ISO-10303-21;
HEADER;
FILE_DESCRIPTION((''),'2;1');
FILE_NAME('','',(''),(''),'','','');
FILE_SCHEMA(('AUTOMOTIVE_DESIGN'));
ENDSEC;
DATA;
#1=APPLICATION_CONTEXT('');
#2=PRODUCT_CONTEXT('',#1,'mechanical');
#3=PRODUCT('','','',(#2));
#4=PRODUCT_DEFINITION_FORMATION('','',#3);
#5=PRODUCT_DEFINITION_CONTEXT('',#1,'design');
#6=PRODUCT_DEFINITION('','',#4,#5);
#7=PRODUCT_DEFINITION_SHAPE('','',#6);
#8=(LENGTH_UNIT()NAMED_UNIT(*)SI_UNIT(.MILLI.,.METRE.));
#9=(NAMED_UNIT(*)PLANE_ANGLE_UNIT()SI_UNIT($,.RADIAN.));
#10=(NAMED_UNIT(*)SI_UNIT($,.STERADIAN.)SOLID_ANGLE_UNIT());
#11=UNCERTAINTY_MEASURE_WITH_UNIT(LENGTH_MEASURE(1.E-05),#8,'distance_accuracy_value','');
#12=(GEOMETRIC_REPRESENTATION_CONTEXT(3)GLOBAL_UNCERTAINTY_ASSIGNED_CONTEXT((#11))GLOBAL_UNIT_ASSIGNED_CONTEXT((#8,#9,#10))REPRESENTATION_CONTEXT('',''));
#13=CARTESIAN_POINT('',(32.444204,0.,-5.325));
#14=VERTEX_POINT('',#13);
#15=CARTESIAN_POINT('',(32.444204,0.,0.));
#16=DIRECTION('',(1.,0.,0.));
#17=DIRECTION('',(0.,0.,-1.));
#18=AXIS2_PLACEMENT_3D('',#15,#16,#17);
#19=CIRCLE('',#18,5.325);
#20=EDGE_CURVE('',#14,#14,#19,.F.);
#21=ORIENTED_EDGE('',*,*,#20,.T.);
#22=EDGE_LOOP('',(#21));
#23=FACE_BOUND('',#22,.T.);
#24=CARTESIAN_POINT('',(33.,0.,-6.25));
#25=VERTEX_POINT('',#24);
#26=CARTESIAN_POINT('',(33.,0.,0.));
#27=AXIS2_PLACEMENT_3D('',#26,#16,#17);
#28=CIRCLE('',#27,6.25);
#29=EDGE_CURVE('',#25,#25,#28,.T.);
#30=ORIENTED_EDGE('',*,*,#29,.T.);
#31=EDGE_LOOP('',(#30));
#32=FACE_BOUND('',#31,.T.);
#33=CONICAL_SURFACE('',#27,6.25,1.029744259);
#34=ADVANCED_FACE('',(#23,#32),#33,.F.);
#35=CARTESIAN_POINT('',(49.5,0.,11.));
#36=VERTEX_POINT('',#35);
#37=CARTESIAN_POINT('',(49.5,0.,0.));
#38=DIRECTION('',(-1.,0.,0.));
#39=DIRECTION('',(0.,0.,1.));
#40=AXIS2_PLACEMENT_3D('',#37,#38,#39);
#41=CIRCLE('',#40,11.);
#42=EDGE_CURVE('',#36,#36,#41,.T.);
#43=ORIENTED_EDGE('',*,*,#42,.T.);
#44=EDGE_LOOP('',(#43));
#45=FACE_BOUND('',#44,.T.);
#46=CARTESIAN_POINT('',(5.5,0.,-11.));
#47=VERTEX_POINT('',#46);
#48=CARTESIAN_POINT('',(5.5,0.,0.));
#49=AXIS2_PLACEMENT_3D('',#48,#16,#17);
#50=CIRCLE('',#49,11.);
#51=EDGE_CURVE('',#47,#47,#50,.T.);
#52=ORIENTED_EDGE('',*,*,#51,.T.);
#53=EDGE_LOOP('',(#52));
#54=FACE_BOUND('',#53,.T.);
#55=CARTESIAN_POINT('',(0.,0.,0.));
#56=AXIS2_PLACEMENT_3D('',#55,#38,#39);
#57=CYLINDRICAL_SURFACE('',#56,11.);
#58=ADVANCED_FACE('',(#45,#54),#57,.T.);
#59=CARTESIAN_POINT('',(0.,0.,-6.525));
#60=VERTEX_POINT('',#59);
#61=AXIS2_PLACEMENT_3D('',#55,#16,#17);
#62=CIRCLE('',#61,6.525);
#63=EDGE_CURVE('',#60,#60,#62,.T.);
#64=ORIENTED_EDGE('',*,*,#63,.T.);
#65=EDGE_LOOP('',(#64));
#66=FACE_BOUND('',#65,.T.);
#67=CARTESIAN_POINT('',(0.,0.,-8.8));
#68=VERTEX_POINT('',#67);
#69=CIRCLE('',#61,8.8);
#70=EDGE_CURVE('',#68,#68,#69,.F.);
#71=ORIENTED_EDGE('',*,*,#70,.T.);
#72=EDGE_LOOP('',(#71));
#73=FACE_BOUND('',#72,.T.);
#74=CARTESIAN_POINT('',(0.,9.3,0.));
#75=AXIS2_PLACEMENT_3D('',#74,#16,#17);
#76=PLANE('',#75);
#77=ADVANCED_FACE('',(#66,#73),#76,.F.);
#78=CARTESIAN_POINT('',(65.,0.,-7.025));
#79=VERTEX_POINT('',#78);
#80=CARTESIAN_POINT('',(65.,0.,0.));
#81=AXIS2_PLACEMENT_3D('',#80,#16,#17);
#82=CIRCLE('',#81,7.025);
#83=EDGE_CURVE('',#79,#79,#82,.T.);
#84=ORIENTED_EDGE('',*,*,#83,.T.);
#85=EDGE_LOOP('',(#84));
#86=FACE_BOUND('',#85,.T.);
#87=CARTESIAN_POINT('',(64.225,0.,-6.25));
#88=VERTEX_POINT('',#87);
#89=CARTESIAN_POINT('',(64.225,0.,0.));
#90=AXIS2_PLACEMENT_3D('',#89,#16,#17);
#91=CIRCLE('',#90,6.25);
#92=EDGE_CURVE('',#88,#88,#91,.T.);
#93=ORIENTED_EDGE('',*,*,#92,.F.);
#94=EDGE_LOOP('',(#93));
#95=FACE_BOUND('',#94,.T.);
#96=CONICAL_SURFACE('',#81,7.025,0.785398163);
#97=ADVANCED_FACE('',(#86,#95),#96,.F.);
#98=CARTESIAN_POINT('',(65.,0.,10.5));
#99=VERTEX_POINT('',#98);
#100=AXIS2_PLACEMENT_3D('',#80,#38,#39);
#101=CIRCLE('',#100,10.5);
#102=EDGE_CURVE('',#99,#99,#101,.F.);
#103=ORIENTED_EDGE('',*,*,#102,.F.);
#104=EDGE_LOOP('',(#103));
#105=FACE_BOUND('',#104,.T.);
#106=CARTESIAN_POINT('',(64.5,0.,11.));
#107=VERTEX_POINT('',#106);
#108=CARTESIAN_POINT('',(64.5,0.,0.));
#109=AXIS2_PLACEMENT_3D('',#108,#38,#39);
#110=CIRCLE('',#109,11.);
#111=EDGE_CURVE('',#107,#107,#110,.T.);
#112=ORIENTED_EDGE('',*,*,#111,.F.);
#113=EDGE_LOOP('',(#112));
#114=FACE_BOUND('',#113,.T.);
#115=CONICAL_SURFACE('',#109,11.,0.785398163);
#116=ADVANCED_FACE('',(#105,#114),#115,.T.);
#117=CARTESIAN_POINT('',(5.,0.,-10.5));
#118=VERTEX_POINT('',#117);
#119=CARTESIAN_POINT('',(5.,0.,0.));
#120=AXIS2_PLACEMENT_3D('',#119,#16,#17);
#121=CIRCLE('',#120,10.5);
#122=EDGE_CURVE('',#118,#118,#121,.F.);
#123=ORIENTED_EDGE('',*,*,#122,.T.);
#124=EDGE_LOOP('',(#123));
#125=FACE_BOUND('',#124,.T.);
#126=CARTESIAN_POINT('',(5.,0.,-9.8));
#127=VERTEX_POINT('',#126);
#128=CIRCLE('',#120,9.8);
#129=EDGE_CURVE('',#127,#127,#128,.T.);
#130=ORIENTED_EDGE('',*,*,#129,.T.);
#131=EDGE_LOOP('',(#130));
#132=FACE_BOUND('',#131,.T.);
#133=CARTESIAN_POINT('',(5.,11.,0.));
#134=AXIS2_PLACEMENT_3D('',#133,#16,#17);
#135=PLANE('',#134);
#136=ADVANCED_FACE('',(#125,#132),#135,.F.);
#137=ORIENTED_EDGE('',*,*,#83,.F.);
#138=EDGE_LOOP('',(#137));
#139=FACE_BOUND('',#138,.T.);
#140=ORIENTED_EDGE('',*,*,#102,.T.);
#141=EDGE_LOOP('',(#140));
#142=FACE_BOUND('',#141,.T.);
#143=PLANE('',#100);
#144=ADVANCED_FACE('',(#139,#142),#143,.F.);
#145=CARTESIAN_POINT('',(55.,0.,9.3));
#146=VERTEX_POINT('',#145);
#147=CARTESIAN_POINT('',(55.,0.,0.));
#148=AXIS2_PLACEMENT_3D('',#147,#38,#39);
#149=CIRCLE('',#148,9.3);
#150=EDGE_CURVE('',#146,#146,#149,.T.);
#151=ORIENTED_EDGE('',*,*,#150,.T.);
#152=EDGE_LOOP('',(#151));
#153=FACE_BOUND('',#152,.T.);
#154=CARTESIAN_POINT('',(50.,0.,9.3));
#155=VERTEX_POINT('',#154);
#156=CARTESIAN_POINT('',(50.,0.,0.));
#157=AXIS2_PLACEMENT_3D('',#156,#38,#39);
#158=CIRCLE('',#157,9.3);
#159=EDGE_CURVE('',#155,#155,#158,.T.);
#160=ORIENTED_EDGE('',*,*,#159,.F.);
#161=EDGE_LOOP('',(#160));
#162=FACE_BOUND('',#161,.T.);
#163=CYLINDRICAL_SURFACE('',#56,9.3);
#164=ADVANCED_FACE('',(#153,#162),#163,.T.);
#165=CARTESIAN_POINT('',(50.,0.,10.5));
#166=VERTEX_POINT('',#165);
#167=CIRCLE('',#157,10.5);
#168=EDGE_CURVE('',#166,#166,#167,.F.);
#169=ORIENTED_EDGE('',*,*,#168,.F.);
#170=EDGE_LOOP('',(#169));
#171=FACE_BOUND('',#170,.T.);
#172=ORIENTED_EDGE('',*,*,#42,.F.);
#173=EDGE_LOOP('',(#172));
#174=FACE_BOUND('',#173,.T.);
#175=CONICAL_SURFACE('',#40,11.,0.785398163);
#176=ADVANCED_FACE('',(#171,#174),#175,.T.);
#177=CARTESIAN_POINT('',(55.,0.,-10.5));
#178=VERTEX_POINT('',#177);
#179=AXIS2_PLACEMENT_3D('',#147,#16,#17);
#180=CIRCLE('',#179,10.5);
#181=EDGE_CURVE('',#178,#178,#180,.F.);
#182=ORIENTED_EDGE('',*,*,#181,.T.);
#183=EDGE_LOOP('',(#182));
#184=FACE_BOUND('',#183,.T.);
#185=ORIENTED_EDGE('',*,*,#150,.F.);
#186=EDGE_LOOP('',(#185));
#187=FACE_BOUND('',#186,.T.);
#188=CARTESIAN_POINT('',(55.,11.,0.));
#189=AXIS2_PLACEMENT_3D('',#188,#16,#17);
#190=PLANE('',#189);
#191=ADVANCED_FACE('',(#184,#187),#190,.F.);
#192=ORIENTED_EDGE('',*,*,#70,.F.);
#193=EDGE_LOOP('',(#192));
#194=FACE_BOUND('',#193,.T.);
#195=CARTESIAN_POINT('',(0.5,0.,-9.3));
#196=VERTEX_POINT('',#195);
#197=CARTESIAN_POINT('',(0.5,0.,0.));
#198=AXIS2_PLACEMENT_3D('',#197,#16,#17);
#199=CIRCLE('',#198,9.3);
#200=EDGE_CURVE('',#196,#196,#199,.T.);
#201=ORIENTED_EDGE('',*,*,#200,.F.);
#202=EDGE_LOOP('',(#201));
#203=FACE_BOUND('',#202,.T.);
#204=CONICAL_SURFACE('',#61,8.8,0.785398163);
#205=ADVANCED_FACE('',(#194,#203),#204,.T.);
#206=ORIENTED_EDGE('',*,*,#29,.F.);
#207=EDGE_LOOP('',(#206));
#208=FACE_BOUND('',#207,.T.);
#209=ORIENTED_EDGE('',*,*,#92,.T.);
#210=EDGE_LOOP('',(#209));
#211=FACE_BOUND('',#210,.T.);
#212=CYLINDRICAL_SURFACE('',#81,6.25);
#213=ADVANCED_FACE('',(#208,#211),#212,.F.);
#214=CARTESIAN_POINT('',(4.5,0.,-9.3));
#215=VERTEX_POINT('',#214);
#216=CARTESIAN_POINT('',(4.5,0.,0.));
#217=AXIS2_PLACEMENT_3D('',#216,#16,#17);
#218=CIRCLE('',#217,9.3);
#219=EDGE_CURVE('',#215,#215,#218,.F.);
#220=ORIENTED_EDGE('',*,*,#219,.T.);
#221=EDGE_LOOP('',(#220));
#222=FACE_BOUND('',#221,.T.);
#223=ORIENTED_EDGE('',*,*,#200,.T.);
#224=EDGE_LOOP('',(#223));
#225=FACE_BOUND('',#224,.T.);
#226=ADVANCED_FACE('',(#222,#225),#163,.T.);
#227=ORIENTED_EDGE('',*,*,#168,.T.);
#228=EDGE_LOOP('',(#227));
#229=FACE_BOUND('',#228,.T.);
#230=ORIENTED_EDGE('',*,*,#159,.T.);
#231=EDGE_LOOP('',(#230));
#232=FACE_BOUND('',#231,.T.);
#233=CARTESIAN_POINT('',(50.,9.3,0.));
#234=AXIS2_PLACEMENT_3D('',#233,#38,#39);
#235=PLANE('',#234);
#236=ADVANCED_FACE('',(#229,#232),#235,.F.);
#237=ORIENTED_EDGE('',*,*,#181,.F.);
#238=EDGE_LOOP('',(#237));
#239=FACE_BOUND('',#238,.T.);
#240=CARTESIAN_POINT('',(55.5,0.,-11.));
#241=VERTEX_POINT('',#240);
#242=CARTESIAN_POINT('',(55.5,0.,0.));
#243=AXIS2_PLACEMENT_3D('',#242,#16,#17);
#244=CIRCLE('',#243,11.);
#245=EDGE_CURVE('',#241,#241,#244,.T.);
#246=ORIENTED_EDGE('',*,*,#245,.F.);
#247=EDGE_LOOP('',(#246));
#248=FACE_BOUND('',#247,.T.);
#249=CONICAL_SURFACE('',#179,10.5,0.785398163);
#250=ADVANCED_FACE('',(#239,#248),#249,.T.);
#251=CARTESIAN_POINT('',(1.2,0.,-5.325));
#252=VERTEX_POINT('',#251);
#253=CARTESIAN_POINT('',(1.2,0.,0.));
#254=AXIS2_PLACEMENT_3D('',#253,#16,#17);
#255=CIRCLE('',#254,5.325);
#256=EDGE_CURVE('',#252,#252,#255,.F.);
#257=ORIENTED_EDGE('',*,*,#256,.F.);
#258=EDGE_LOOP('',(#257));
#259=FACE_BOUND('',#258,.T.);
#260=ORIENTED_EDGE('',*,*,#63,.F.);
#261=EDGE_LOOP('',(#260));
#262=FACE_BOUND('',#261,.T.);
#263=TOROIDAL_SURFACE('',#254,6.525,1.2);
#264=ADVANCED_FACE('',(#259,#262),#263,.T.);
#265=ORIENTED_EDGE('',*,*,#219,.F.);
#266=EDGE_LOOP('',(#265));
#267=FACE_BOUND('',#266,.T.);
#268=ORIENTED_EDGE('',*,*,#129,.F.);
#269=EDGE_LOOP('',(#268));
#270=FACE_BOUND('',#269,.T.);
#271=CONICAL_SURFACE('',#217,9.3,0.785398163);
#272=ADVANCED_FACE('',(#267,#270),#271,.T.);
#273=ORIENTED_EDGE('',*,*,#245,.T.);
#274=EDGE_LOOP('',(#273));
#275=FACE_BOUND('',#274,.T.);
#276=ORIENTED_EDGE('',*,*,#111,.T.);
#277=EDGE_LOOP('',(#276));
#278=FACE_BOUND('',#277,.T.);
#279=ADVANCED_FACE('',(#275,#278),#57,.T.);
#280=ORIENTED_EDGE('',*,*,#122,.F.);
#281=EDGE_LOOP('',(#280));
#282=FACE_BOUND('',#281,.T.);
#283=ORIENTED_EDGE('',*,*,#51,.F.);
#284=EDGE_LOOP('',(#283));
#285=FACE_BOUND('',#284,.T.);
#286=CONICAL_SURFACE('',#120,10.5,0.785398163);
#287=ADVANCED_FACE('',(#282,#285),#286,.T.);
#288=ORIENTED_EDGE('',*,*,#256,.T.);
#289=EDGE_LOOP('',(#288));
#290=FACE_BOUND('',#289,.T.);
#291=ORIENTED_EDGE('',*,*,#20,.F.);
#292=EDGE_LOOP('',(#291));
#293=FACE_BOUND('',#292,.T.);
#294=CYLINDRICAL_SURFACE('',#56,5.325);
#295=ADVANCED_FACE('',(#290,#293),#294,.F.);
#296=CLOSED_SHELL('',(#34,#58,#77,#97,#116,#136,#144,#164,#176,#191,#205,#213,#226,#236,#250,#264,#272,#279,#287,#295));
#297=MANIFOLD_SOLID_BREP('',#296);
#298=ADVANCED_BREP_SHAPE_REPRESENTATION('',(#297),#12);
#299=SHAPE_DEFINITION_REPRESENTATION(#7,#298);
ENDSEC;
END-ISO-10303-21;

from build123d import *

# Parameters (mm, degrees)
FURO_ROSCADO_DE_M14X1_51_D           = 12.5
FURO_ROSCADO_DE_M14X1_51_DEPTH       = 32
FURO_ROSCADO_DE_M14X1_51_CSINK_D     = 14.05
FURO_ROSCADO_DE_M14X1_51_CSINK_ANGLE = 90
FURO_ROSCADO_DE_M14X1_51_TIP         = 3.755378869
FURO1_D                              = 10.65
FURO1_DEPTH                          = 33
CHANFRO1_SIZE                        = 0.5
FILETE1_R                            = 1.2
CHANFRO2_SIZE                        = 0.5


with BuildPart() as part:
    # Esboço1 → Revolução1 (revolve)
    with BuildSketch(Plane.XY, mode=Mode.PRIVATE) as revolu_o1_sk:
        Polygon((0, 0), (65, 0), (65, 11), (55, 11), (55, 9.3), (50, 9.3), (50, 11), (5, 11), (5, 9.3), (0, 9.3), align=None)
    revolve(revolu_o1_sk.sketch.rotate(Axis((0, 0, 0), (1, 0, 0)), 90), axis=Axis((0, 0, 0), (1, 0, 0)))

    # Furo roscado de M14x1.51
    with Locations(Plane(origin=(65, 0, 0), x_dir=(0, 0, -1), z_dir=(1, 0, 0))):
        with Locations((0, 0)):
            CounterSinkHole(FURO_ROSCADO_DE_M14X1_51_D / 2, FURO_ROSCADO_DE_M14X1_51_CSINK_D / 2, depth=FURO_ROSCADO_DE_M14X1_51_DEPTH, counter_sink_angle=FURO_ROSCADO_DE_M14X1_51_CSINK_ANGLE)
            with Locations((0, 0, -(FURO_ROSCADO_DE_M14X1_51_DEPTH + FURO_ROSCADO_DE_M14X1_51_TIP / 2))):  # 118° drill point
                Cone(0, FURO_ROSCADO_DE_M14X1_51_D / 2, FURO_ROSCADO_DE_M14X1_51_TIP, mode=Mode.SUBTRACT)

    # Furo1
    with Locations(Plane.ZY):
        with Locations((0, 0)):
            Hole(FURO1_D / 2, depth=FURO1_DEPTH)

    # Chanfro1
    chanfro1_edges = [part.edges().sort_by_distance(p)[0] for p in [
        (5, 0, -9.3),
        (5, 0, -11),
        (50, 0, -11),
    ]]
    chamfer(chanfro1_edges, length=CHANFRO1_SIZE)

    # Filete1
    filete1_edges = [part.edges().sort_by_distance(p)[0] for p in [
        (0, 0, 5.325),
    ]]
    fillet(filete1_edges, radius=FILETE1_R)

    # Chanfro2
    chanfro2_edges = [part.edges().sort_by_distance(p)[0] for p in [
        (65, 0, -11),
        (0, 0, -9.3),
        (55, 0, -11),
    ]]
    chamfer(chanfro2_edges, length=CHANFRO2_SIZE)


solid = part.part
